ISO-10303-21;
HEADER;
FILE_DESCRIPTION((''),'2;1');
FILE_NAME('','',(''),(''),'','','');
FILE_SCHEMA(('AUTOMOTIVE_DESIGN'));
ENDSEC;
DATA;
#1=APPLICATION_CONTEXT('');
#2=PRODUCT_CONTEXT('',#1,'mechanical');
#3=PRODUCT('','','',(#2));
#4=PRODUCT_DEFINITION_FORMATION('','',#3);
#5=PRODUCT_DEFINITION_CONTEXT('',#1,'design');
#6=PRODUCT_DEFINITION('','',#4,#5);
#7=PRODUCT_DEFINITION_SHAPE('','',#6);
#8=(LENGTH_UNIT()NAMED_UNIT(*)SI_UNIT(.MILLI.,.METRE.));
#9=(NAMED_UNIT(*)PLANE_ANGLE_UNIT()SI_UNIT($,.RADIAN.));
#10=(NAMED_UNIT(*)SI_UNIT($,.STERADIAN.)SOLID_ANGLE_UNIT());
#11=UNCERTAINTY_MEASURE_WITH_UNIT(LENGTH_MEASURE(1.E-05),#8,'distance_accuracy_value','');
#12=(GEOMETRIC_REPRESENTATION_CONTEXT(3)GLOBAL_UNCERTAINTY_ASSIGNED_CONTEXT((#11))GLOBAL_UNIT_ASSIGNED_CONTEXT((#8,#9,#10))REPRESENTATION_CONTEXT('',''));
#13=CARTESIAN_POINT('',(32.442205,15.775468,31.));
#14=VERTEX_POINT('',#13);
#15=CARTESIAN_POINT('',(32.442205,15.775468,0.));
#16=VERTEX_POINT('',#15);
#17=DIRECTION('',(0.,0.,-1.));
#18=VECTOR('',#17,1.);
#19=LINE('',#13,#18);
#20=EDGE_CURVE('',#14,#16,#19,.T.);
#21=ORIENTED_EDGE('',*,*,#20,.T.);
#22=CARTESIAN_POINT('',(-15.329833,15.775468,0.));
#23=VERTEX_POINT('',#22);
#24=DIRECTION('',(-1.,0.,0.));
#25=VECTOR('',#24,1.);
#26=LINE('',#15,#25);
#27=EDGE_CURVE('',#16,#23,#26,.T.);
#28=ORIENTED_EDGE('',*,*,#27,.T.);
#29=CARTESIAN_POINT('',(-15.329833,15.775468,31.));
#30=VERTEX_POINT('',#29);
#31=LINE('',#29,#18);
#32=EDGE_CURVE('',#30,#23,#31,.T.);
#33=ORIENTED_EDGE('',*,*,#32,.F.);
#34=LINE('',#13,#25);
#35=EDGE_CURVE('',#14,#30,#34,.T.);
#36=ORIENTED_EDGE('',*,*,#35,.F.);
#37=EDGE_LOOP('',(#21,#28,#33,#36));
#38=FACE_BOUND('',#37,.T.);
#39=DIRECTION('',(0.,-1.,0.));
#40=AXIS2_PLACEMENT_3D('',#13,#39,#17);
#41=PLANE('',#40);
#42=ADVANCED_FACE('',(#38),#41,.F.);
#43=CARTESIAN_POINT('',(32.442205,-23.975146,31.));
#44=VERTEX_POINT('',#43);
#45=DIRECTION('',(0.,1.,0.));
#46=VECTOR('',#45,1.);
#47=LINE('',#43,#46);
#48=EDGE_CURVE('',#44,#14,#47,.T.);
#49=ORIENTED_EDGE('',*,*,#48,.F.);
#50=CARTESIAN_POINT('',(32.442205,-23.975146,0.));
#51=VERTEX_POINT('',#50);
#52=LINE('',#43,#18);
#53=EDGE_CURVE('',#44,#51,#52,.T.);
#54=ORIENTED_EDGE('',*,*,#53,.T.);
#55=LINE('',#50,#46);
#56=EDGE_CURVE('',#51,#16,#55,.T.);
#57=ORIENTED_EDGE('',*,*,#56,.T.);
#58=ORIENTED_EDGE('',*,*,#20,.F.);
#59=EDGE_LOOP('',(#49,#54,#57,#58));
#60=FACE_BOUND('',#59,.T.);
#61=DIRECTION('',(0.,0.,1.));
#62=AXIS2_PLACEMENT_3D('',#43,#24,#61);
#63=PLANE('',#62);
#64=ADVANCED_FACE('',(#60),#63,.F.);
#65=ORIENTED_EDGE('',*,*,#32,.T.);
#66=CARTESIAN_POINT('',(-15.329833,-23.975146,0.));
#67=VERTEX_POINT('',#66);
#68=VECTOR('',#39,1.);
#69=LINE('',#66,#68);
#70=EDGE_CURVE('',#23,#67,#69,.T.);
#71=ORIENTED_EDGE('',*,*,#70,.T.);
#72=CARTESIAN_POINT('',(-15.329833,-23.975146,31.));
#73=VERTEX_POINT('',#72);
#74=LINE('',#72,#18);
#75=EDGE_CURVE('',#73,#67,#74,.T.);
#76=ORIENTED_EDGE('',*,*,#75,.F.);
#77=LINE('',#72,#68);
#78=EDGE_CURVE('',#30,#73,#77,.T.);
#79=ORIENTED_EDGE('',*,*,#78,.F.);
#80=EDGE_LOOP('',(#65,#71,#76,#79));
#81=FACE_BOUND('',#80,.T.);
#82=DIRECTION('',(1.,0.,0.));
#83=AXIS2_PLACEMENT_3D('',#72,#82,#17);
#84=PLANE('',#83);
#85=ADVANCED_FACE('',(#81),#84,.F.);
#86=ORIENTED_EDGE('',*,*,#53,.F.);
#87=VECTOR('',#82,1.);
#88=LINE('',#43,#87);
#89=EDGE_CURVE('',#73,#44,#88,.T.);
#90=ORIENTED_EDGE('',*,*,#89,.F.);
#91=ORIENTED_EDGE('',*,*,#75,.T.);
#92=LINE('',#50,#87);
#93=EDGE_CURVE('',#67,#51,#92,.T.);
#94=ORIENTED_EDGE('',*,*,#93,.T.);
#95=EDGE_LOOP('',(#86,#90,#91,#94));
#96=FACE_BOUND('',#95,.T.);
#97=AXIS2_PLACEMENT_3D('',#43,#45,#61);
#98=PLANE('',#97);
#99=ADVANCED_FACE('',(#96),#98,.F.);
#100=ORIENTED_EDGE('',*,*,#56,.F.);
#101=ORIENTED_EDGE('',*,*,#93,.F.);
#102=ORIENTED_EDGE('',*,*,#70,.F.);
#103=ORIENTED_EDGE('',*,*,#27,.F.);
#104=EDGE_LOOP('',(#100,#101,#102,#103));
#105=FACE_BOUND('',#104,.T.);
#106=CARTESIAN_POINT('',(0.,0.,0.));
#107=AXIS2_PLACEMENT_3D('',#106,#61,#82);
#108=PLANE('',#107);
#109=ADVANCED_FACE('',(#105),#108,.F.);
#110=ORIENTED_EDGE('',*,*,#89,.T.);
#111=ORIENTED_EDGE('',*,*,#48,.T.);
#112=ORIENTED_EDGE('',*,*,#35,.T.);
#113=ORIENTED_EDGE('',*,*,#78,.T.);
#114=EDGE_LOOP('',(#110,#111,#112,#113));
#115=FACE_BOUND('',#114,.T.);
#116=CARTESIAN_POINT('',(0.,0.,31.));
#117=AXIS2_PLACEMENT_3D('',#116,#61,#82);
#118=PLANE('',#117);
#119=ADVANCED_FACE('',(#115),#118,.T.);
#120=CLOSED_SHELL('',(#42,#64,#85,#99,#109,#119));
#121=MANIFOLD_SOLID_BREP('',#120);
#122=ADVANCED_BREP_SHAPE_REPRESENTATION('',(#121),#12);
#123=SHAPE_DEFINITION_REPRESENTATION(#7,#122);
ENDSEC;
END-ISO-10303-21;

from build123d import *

# Parameters (mm, degrees)
SKETCH2_W           = 47.772038396
SKETCH2_H           = 39.750614038
BOSS_EXTRUDE1_DEPTH = 31


with BuildPart() as part:
    # Sketch2 → Boss-Extrude1 (new body)
    with BuildSketch(Plane.XY):
        with Locations((8.556185981, -4.099839116)):
            Rectangle(SKETCH2_W, SKETCH2_H)
    extrude(amount=BOSS_EXTRUDE1_DEPTH)


solid = part.part
